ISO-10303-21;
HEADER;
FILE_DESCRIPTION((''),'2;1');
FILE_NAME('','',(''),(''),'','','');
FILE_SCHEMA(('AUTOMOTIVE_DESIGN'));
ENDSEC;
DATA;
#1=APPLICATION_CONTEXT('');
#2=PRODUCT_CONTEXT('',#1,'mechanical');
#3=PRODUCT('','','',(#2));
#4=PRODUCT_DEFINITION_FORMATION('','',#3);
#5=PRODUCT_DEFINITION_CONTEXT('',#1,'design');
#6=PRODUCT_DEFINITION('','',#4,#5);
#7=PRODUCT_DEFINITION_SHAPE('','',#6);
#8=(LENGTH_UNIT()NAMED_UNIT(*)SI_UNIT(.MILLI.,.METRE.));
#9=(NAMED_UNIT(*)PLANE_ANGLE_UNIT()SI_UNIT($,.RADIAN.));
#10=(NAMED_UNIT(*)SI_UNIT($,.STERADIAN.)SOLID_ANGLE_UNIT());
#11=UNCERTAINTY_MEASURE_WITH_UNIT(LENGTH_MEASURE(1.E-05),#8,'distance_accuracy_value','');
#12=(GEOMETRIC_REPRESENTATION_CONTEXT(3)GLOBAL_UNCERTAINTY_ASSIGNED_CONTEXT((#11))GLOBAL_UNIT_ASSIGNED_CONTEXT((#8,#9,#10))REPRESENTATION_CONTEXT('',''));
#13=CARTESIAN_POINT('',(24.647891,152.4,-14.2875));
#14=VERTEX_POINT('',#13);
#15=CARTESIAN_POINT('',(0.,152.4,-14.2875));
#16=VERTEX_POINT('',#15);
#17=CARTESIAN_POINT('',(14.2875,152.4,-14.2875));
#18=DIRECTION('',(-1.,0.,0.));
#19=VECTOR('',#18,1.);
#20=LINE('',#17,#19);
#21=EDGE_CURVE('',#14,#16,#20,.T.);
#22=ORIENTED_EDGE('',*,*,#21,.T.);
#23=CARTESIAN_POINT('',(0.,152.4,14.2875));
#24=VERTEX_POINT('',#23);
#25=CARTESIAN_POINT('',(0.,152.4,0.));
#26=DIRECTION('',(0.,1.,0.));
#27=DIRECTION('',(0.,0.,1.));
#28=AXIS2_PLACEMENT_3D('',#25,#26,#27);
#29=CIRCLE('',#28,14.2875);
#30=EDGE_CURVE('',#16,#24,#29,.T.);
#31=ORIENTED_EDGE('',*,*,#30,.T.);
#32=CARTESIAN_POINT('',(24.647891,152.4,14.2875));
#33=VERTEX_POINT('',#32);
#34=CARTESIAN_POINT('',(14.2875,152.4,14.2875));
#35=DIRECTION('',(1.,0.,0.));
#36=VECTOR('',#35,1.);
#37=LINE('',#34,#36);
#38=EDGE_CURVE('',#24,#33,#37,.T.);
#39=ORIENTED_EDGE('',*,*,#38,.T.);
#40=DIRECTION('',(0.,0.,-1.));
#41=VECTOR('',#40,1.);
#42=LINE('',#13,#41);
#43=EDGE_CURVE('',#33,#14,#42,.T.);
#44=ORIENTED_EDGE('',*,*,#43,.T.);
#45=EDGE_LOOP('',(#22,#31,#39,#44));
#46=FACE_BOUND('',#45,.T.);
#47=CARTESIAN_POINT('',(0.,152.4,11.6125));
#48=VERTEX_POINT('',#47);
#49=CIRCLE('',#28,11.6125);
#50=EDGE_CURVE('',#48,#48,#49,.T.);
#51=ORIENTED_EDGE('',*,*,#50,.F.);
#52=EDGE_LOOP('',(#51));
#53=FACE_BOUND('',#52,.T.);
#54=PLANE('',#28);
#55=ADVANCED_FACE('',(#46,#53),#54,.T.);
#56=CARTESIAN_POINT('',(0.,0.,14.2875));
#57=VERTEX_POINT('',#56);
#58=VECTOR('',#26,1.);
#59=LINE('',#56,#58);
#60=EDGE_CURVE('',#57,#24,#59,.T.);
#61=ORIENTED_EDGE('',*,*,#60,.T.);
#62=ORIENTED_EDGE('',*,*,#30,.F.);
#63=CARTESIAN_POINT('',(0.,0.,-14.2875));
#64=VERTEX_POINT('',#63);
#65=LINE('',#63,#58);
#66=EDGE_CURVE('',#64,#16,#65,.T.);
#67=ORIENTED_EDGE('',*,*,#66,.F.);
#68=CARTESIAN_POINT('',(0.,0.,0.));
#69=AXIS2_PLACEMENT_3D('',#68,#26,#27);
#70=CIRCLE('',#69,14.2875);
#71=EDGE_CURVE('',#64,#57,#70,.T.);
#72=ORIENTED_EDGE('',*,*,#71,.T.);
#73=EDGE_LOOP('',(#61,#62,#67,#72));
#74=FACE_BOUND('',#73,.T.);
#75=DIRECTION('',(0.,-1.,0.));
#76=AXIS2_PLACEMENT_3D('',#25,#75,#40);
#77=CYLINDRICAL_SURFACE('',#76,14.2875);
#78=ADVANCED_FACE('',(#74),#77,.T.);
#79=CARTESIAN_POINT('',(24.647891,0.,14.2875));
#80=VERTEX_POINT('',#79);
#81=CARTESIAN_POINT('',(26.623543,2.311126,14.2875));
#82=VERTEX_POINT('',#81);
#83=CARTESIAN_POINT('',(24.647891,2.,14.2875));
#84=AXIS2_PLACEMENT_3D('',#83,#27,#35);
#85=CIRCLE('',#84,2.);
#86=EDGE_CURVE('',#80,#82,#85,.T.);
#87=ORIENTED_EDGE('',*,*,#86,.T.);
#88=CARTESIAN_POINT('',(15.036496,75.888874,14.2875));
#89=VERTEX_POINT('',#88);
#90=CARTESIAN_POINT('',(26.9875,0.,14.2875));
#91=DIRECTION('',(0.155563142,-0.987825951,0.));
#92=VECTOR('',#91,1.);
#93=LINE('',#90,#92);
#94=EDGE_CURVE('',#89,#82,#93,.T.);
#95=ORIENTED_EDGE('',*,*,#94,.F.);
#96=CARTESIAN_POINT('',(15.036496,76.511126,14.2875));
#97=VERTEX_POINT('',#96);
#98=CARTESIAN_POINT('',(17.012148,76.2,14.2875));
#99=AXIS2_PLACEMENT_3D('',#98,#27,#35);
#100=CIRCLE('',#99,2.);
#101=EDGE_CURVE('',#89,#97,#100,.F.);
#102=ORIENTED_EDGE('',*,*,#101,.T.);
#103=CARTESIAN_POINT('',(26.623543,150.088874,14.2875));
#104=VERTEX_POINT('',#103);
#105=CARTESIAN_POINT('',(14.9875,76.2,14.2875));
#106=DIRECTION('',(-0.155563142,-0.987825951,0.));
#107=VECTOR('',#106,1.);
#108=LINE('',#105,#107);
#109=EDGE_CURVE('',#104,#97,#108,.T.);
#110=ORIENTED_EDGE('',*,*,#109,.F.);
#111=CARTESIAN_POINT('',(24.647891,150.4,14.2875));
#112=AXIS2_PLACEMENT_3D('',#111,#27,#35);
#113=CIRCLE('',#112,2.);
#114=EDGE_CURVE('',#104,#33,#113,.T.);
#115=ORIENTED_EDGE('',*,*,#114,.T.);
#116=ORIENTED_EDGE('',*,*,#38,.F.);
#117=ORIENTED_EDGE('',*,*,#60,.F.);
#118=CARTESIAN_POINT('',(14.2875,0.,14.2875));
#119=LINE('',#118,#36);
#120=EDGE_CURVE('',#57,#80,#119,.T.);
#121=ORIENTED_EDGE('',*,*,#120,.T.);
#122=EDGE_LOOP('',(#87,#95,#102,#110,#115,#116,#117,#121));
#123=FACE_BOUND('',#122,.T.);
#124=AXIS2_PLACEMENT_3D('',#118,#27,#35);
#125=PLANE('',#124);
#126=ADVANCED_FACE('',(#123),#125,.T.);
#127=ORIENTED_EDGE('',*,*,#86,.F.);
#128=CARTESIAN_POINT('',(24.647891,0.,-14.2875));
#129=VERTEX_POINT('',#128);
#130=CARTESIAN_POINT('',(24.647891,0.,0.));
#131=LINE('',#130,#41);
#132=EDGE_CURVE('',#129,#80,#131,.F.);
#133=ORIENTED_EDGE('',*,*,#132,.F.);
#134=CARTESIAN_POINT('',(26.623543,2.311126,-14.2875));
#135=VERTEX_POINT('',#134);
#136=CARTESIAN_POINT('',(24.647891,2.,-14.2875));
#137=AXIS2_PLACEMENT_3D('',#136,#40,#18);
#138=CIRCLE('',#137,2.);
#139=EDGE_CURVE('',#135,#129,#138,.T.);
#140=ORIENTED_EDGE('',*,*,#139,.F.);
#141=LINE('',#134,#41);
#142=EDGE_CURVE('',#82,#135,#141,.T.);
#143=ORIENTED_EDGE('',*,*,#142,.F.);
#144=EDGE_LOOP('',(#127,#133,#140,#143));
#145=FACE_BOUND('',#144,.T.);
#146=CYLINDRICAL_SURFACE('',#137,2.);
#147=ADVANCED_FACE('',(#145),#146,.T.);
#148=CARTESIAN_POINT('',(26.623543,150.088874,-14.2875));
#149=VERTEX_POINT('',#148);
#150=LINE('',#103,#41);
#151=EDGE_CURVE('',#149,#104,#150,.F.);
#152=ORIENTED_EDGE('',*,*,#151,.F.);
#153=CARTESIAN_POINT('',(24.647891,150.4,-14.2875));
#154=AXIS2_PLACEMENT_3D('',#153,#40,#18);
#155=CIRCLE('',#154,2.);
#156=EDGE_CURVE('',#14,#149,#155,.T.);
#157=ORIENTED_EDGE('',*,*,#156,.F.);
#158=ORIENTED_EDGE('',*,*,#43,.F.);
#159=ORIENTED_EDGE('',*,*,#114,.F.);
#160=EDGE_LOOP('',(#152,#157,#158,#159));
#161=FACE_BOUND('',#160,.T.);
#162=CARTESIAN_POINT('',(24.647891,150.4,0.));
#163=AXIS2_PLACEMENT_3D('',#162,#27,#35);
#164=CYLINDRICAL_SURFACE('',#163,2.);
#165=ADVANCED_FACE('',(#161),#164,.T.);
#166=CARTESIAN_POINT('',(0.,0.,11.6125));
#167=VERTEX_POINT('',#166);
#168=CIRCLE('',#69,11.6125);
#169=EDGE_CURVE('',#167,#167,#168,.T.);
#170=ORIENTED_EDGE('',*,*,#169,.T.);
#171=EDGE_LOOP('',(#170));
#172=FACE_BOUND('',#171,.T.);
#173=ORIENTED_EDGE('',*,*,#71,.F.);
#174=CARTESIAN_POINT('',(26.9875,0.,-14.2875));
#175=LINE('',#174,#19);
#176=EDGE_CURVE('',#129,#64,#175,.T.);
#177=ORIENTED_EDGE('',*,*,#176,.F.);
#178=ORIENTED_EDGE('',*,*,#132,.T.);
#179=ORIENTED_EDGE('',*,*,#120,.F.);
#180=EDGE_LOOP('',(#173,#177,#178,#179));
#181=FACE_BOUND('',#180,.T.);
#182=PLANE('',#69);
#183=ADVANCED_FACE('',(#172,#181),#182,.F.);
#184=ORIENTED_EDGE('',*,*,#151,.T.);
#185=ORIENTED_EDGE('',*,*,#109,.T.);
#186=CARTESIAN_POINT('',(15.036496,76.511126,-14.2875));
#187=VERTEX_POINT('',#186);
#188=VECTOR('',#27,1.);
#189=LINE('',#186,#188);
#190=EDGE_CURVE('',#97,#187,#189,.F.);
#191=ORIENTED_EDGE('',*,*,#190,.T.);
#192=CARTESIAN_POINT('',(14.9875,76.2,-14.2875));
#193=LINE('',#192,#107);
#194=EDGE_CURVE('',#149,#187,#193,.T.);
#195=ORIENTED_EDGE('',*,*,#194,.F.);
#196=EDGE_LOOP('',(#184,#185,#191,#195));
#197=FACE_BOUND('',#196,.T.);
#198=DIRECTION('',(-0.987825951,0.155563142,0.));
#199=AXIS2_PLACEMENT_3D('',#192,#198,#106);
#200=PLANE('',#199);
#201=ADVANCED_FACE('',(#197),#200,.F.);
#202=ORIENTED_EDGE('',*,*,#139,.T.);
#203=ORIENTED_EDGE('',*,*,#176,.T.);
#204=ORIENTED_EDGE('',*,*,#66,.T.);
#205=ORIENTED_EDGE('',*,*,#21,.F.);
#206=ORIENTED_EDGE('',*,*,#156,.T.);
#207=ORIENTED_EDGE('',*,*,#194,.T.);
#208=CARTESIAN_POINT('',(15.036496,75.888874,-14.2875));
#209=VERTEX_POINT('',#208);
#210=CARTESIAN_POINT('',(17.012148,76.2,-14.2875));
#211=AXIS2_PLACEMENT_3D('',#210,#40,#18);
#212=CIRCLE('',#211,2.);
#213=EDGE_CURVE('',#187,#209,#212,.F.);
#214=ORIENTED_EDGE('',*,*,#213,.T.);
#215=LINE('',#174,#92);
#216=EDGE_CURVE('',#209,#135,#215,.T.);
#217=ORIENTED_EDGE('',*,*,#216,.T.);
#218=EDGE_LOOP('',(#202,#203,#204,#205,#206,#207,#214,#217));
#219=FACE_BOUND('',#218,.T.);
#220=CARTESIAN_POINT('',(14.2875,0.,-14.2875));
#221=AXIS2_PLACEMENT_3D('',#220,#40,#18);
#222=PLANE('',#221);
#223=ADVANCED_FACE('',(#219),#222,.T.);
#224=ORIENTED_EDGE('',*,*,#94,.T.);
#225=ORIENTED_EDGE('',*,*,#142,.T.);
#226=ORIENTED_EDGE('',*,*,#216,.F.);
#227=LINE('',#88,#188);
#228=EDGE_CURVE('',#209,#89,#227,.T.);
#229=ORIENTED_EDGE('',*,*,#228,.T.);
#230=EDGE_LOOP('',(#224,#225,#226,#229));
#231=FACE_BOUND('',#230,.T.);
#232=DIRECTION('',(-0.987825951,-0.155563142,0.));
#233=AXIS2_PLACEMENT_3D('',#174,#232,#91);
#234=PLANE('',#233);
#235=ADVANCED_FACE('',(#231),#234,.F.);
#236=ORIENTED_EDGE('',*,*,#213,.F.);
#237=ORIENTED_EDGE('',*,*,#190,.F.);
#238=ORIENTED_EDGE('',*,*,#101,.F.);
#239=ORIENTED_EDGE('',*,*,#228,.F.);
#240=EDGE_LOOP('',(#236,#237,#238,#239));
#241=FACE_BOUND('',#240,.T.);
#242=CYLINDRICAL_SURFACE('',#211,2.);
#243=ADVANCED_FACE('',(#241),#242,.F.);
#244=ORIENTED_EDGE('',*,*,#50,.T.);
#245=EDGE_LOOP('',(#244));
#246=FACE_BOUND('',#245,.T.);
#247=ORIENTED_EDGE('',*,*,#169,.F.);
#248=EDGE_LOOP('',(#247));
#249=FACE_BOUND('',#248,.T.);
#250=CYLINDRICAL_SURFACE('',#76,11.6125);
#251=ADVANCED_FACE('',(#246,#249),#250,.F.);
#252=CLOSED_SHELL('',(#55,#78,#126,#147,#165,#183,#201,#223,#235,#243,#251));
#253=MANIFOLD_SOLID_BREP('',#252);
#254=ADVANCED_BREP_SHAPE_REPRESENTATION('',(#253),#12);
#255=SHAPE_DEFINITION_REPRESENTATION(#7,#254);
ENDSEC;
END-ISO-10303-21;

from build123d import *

# Parameters (mm, degrees)
SKETCH1_R           = 14.2875
SKETCH1_R_2         = 11.6125
BOSS_EXTRUDE1_DEPTH = 152.4
SKETCH2_W           = 28.575
SKETCH2_H           = 152.4
BOSS_EXTRUDE2_DEPTH = 12.7
BOSS_EXTRUDE3_DEPTH = 152.4
CUT_EXTRUDE1_DEPTH  = 29.575
FILLET1_R           = 2


with BuildPart() as part:
    # Sketch1 → Boss-Extrude1 (new body)
    with BuildSketch(Plane(origin=(0, 0, 0), x_dir=(1, 0, 0), z_dir=(0, 1, 0))):
        Circle(SKETCH1_R)
        Circle(SKETCH1_R_2, mode=Mode.SUBTRACT)
    extrude(amount=BOSS_EXTRUDE1_DEPTH)



with BuildPart() as body_2:
    # Sketch2 → Boss-Extrude2 (new body)
    with BuildSketch(Plane(origin=(14.2875, 0, 0), x_dir=(0, 0, -1), z_dir=(1, 0, 0))):
        with Locations((0, 76.2)):
            Rectangle(SKETCH2_W, SKETCH2_H)
    extrude(amount=BOSS_EXTRUDE2_DEPTH)


with BuildPart() as part_1:
    add(part.part)

    add(body_2.part)  # Boss-Extrude3 merges body 2
    # Sketch3 → Boss-Extrude3 (add, through all)
    with BuildSketch(Plane(origin=(0, 152.4, 0), x_dir=(1, 0, 0), z_dir=(0, 1, 0))):
        with BuildLine():
            Line((14.2875, -14.2875), (0, -14.2875))
            ThreePointArc((0, -14.2875), (14.2875, 0), (0, 14.2875))
            Line((0, 14.2875), (14.2875, 14.2875))
            Line((14.2875, 14.2875), (26.9875, 14.2875))
            Line((26.9875, 14.2875), (26.9875, -14.2875))
            Line((26.9875, -14.2875), (14.2875, -14.2875))
        make_face()
    extrude(amount=-BOSS_EXTRUDE3_DEPTH)

    # Sketch5 → Cut-Extrude1 (cut, through all)
    with BuildSketch(Plane.XY.offset(14.2875)):
        Polygon((26.9875, 0), (14.9875, 76.2), (26.9875, 152.4), align=None)
    extrude(amount=-CUT_EXTRUDE1_DEPTH, mode=Mode.SUBTRACT)

    # Fillet1
    fillet1_edges = [part_1.edges().sort_by_distance(p)[0] for p in [
        (26.9875, 0, 0),
        (26.9875, 152.4, 0),
        (14.9875, 76.2, 0),
    ]]
    fillet(fillet1_edges, radius=FILLET1_R)


solid = part_1.part
